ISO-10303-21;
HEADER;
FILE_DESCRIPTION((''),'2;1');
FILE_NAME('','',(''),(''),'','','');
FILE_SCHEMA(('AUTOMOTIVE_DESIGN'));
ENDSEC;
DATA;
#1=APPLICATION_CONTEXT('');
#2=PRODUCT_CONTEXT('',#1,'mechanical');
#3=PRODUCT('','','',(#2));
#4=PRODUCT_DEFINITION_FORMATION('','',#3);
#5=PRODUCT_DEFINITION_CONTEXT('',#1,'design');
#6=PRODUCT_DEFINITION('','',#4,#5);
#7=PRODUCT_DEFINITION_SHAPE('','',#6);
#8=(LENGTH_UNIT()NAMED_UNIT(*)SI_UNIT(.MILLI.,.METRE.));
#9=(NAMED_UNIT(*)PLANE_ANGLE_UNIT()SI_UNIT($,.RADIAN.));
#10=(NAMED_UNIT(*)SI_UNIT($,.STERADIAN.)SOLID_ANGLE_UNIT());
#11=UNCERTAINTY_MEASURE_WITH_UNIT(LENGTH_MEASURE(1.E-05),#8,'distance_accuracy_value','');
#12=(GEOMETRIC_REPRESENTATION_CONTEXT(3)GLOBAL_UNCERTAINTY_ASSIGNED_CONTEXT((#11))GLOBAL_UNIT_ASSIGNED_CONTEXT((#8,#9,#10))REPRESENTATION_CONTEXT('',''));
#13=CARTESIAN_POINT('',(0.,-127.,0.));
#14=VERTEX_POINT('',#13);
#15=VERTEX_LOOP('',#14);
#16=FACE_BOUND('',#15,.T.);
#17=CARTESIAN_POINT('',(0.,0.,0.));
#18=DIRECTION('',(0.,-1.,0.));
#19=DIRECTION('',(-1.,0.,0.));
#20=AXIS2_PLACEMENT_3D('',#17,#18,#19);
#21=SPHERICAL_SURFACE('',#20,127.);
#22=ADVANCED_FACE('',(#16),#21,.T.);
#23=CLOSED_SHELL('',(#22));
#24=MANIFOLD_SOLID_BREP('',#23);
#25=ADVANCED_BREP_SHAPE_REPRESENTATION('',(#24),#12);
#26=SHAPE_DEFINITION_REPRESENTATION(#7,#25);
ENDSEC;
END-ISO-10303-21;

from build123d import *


with BuildPart() as f1:
    # F0 (on Top) → F1 (revolve)
    with BuildSketch(Plane.XY):
        with BuildLine():
            Line((0, -127), (0, 0))
            Line((0, 0), (0, 127))
            ThreePointArc((0, 127), (-127, 0), (0, -127))
        make_face()
    revolve(axis=Axis((0, -63.5, 0), (0, -1, 0)))


solid = f1.part
